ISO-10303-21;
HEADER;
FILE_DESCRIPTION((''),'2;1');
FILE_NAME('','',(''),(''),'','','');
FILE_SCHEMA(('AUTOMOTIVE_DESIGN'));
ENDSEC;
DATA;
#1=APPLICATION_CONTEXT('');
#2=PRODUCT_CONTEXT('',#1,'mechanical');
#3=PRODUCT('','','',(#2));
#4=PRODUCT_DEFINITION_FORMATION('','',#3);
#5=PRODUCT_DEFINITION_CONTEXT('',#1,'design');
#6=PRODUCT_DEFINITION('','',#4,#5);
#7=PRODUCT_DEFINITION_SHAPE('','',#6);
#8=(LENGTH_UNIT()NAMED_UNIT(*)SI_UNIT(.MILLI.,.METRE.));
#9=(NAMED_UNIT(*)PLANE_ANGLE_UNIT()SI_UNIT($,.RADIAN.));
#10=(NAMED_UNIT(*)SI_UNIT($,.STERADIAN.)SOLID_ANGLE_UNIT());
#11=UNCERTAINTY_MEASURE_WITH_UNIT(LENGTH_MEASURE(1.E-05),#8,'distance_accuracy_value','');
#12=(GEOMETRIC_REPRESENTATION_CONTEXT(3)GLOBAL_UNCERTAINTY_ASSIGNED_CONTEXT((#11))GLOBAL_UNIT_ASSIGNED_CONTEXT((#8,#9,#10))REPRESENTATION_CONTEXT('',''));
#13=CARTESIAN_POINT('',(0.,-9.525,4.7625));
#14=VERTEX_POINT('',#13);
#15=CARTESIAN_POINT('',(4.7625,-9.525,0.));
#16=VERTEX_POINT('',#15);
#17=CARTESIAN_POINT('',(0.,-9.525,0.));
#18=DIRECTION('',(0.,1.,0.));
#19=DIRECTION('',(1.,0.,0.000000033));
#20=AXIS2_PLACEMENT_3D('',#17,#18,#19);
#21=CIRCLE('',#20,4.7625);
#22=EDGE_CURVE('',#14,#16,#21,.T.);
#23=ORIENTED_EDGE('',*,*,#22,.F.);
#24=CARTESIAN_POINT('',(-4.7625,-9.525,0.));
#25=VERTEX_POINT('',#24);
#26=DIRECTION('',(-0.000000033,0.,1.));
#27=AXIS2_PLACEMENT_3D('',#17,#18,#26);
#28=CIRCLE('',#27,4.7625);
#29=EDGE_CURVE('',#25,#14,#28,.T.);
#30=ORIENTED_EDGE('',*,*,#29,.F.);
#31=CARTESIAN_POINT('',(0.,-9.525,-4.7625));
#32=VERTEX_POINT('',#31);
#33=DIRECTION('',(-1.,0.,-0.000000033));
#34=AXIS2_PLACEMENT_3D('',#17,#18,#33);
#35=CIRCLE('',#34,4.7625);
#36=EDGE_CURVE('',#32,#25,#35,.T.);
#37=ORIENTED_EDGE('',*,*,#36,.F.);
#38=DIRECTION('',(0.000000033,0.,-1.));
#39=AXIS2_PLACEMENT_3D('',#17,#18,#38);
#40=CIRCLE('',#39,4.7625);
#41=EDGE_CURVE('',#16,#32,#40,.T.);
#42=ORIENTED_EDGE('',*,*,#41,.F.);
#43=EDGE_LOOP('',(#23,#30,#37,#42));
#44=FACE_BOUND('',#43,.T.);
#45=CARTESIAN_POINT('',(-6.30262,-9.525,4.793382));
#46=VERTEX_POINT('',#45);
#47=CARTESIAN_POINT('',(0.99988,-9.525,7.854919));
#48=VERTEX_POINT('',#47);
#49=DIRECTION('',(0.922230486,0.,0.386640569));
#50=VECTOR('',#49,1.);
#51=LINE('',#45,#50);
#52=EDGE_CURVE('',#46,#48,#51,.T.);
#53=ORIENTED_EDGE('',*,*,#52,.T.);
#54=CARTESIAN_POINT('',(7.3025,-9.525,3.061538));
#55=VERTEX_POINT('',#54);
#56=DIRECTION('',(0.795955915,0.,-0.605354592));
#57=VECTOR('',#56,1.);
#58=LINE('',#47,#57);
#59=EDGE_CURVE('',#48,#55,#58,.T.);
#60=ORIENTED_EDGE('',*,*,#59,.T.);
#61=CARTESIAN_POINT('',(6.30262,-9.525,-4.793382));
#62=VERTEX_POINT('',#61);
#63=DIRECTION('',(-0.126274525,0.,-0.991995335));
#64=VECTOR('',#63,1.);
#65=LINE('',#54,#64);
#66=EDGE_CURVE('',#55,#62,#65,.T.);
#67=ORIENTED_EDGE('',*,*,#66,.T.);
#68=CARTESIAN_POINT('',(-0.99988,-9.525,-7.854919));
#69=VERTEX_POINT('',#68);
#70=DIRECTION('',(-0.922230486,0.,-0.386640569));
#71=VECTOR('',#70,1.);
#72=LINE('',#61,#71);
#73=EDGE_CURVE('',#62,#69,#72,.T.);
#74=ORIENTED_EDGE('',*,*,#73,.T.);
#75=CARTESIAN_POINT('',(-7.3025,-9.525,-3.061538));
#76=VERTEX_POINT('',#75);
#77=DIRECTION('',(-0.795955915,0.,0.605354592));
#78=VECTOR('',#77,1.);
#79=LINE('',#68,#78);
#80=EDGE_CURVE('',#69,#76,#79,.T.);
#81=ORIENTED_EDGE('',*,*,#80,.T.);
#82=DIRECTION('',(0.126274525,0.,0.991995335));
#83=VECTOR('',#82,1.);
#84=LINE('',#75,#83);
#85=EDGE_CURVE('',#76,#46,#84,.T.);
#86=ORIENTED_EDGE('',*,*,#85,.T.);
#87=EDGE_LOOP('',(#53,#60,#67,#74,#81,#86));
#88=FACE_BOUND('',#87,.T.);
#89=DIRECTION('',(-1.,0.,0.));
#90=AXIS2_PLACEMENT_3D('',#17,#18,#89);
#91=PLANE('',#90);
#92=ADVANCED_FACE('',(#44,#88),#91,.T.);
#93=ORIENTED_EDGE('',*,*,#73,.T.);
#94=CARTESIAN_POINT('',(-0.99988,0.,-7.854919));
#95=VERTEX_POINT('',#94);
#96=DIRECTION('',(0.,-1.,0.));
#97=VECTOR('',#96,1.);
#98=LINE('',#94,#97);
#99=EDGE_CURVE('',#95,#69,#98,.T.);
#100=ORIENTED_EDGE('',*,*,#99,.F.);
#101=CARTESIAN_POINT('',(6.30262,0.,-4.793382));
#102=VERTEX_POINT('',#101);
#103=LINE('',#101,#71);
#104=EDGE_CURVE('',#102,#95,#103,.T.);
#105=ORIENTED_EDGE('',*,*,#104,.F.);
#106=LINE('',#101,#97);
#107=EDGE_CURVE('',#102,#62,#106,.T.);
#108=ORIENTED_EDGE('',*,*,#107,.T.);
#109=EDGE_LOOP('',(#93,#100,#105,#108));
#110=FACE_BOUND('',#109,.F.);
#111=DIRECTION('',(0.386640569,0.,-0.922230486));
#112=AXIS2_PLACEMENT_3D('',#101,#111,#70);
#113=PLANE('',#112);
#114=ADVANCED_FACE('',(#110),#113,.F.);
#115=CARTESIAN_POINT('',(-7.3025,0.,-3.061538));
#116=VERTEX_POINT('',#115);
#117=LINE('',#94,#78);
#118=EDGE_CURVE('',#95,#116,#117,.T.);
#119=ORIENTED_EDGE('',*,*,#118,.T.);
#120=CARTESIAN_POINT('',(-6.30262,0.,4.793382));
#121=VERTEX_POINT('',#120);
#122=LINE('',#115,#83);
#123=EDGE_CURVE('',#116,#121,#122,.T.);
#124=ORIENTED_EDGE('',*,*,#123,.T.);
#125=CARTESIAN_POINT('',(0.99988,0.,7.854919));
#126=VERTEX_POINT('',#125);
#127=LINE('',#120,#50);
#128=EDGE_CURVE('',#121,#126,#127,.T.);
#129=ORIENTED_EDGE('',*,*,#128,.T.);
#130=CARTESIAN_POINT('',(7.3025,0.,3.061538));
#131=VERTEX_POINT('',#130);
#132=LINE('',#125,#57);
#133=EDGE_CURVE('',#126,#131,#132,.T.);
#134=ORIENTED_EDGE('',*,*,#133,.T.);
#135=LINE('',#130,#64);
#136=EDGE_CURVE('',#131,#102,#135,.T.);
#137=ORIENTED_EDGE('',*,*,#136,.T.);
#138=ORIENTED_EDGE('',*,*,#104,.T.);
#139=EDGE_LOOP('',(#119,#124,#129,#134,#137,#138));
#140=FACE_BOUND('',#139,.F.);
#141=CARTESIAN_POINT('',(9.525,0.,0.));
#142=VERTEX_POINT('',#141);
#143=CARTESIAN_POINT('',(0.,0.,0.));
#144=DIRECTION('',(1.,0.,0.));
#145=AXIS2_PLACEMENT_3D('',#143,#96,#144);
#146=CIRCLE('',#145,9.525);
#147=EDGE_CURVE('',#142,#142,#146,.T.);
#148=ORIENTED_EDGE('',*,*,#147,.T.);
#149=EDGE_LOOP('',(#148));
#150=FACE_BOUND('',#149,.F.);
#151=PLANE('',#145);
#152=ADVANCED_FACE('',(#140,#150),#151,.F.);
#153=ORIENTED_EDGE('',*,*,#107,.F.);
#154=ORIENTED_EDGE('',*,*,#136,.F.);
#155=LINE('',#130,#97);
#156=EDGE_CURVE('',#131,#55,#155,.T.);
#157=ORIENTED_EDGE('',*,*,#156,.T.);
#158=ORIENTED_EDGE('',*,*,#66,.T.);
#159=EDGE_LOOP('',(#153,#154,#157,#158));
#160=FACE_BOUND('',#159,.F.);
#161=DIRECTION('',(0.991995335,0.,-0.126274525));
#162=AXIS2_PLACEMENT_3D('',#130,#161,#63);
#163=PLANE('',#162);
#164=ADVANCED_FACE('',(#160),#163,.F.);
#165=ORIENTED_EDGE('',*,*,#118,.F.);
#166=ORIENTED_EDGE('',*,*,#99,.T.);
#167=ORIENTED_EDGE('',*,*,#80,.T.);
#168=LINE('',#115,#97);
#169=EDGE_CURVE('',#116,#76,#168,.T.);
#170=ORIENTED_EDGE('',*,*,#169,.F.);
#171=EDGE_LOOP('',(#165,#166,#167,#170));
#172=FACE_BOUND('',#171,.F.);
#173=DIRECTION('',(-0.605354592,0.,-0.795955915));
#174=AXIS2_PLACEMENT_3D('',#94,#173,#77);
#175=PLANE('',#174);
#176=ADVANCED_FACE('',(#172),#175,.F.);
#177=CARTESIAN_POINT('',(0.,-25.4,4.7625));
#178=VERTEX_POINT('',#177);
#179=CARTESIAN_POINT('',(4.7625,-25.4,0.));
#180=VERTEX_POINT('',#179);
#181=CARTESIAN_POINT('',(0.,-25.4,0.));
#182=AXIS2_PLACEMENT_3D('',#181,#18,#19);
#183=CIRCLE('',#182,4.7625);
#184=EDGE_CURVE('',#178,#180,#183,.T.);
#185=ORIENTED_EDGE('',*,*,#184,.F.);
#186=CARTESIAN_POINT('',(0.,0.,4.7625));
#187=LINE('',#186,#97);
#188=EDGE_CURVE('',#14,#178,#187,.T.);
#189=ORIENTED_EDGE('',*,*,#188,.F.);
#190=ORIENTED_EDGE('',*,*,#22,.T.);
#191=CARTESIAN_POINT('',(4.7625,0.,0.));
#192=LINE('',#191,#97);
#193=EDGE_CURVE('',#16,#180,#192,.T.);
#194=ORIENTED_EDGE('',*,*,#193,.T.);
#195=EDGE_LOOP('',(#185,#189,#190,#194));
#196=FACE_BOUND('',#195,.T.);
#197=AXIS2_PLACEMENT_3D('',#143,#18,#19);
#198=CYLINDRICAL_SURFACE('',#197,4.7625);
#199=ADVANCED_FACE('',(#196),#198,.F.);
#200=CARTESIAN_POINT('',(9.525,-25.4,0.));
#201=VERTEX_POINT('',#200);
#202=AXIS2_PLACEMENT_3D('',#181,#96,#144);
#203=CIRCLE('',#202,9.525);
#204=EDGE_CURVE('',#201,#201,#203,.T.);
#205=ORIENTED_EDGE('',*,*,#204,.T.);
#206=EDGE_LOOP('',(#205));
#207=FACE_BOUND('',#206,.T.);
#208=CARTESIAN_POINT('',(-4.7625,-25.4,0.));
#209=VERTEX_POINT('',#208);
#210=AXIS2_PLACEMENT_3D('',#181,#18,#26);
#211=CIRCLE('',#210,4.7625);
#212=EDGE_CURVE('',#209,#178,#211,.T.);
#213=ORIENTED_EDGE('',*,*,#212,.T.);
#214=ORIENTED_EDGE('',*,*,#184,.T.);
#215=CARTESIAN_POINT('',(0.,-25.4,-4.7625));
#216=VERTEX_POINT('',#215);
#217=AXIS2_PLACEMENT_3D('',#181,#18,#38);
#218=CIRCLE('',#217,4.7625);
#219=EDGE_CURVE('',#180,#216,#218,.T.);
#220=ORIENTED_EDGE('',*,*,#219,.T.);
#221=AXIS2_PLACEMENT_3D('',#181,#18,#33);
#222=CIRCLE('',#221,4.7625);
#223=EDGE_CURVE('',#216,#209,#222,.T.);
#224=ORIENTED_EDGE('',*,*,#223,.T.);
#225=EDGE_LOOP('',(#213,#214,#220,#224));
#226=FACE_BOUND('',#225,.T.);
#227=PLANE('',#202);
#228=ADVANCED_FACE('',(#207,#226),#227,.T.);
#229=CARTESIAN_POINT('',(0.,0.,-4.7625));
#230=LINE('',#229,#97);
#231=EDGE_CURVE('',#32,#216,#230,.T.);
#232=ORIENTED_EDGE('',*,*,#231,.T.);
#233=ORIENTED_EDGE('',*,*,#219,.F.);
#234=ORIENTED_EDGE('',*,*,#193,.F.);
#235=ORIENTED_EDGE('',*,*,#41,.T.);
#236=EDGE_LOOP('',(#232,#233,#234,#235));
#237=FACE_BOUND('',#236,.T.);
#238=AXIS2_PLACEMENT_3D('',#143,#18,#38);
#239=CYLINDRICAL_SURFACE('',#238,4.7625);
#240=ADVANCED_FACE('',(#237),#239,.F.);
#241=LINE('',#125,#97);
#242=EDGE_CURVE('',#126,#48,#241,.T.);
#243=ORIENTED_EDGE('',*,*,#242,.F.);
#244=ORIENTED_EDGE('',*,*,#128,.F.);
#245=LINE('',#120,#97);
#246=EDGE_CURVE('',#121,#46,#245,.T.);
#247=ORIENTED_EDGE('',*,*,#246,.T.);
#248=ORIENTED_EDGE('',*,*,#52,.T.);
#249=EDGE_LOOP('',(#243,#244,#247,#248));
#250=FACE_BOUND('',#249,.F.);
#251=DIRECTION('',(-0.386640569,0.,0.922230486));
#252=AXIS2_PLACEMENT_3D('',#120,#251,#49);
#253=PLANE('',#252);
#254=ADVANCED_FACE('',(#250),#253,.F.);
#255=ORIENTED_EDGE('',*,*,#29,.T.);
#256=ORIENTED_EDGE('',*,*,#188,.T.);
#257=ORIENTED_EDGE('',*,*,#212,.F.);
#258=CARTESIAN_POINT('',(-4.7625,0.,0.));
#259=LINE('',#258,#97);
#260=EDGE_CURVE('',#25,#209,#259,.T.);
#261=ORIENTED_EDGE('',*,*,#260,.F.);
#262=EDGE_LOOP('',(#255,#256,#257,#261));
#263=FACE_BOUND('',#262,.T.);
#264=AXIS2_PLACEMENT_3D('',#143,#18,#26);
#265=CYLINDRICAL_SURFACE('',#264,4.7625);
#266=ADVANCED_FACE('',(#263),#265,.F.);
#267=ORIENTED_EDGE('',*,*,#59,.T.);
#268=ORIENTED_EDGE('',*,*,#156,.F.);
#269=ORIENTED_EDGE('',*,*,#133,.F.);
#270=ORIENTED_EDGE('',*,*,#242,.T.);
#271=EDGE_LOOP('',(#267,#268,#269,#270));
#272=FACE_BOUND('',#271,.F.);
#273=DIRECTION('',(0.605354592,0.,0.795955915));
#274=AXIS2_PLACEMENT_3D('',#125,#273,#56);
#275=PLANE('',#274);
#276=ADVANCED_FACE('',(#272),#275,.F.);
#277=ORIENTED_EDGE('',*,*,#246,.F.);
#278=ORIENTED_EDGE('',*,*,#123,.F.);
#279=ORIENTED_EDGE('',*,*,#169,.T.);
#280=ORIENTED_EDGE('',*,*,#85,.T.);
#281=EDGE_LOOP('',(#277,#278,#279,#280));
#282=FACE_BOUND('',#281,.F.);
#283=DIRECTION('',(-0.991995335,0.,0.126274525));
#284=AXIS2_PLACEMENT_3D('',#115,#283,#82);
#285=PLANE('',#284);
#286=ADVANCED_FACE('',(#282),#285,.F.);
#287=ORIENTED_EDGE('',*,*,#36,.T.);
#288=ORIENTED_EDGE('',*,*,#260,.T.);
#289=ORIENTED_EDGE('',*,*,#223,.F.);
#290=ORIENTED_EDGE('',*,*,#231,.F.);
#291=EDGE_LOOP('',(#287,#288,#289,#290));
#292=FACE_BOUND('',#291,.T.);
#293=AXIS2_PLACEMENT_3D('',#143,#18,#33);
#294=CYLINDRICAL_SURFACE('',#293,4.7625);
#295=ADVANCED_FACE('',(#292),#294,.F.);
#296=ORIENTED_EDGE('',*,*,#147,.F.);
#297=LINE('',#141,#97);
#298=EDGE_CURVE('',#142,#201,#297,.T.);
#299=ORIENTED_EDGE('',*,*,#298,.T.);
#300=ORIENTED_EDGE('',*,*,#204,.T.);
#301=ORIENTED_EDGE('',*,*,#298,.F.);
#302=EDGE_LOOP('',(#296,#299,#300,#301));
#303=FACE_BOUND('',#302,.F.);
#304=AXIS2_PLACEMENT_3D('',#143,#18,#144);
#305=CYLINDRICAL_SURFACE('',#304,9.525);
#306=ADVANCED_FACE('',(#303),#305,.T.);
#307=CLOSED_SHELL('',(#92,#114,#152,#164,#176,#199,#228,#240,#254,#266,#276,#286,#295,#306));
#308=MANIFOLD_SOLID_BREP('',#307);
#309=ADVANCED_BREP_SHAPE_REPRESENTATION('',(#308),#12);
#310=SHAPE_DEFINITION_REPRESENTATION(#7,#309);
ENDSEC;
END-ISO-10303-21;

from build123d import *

# Parameters (mm, degrees)
F0_R     = 9.525
F1_DEPTH = 25.4
F3_DEPTH = 25.401
F4_DEPTH = 11.0998
F6_DEPTH = 9.525


with BuildPart() as f1:
    # F0 (on Front) → F1 (new body)
    with BuildSketch(Plane.XZ):
        Circle(F0_R)
    extrude(amount=F1_DEPTH)

    # F2 (on Front) → F3 (cut, through all)
    with BuildSketch(Plane.XZ):
        with BuildLine():
            ThreePointArc((-4.7625, 0), (-3.367596, -3.367596), (0, -4.7625))
            ThreePointArc((0, -4.7625), (3.367596, -3.367596), (4.7625, 0))
            ThreePointArc((4.7625, 0), (3.367596, 3.367596), (0, 4.7625))
            ThreePointArc((0, 4.7625), (-3.367596, 3.367596), (-4.7625, 0))
        make_face()
    extrude(amount=F3_DEPTH, mode=Mode.SUBTRACT)

    # F2 (on Front) → F4 (cut)
    with BuildSketch(Plane.XZ):
        with BuildLine():
            Line((0, -4.7625), (4.7625, -4.7625))
            Line((4.7625, -4.7625), (4.7625, 0))
            ThreePointArc((4.7625, 0), (3.367596, -3.367596), (0, -4.7625))
        make_face()
        with BuildLine():
            Line((-4.7625, -4.7625), (0, -4.7625))
            ThreePointArc((0, -4.7625), (-3.367596, -3.367596), (-4.7625, 0))
            Line((-4.7625, 0), (-4.7625, -4.7625))
        make_face()
        with BuildLine():
            ThreePointArc((0, 4.7625), (3.367596, 3.367596), (4.7625, 0))
            Line((4.7625, 0), (4.7625, 4.7625))
            Line((4.7625, 4.7625), (0, 4.7625))
        make_face()
        with BuildLine():
            Line((-4.7625, 4.7625), (-4.7625, 0))
            ThreePointArc((-4.7625, 0), (-3.367596, 3.367596), (0, 4.7625))
            Line((0, 4.7625), (-4.7625, 4.7625))
        make_face()
    extrude(amount=-F4_DEPTH, mode=Mode.SUBTRACT)

    # F5 (on face) → F6 (cut)
    with BuildSketch(Plane(origin=(0, 0, 0), x_dir=(-1, 0, 0), z_dir=(0, 1, 0))):
        Polygon((0.99988, -7.854919), (7.3025, -3.061538), (6.30262, 4.793382), (-0.99988, 7.854919), (-7.3025, 3.061538), (-6.30262, -4.793382), align=None)
    extrude(amount=-F6_DEPTH, mode=Mode.SUBTRACT)


solid = f1.part
